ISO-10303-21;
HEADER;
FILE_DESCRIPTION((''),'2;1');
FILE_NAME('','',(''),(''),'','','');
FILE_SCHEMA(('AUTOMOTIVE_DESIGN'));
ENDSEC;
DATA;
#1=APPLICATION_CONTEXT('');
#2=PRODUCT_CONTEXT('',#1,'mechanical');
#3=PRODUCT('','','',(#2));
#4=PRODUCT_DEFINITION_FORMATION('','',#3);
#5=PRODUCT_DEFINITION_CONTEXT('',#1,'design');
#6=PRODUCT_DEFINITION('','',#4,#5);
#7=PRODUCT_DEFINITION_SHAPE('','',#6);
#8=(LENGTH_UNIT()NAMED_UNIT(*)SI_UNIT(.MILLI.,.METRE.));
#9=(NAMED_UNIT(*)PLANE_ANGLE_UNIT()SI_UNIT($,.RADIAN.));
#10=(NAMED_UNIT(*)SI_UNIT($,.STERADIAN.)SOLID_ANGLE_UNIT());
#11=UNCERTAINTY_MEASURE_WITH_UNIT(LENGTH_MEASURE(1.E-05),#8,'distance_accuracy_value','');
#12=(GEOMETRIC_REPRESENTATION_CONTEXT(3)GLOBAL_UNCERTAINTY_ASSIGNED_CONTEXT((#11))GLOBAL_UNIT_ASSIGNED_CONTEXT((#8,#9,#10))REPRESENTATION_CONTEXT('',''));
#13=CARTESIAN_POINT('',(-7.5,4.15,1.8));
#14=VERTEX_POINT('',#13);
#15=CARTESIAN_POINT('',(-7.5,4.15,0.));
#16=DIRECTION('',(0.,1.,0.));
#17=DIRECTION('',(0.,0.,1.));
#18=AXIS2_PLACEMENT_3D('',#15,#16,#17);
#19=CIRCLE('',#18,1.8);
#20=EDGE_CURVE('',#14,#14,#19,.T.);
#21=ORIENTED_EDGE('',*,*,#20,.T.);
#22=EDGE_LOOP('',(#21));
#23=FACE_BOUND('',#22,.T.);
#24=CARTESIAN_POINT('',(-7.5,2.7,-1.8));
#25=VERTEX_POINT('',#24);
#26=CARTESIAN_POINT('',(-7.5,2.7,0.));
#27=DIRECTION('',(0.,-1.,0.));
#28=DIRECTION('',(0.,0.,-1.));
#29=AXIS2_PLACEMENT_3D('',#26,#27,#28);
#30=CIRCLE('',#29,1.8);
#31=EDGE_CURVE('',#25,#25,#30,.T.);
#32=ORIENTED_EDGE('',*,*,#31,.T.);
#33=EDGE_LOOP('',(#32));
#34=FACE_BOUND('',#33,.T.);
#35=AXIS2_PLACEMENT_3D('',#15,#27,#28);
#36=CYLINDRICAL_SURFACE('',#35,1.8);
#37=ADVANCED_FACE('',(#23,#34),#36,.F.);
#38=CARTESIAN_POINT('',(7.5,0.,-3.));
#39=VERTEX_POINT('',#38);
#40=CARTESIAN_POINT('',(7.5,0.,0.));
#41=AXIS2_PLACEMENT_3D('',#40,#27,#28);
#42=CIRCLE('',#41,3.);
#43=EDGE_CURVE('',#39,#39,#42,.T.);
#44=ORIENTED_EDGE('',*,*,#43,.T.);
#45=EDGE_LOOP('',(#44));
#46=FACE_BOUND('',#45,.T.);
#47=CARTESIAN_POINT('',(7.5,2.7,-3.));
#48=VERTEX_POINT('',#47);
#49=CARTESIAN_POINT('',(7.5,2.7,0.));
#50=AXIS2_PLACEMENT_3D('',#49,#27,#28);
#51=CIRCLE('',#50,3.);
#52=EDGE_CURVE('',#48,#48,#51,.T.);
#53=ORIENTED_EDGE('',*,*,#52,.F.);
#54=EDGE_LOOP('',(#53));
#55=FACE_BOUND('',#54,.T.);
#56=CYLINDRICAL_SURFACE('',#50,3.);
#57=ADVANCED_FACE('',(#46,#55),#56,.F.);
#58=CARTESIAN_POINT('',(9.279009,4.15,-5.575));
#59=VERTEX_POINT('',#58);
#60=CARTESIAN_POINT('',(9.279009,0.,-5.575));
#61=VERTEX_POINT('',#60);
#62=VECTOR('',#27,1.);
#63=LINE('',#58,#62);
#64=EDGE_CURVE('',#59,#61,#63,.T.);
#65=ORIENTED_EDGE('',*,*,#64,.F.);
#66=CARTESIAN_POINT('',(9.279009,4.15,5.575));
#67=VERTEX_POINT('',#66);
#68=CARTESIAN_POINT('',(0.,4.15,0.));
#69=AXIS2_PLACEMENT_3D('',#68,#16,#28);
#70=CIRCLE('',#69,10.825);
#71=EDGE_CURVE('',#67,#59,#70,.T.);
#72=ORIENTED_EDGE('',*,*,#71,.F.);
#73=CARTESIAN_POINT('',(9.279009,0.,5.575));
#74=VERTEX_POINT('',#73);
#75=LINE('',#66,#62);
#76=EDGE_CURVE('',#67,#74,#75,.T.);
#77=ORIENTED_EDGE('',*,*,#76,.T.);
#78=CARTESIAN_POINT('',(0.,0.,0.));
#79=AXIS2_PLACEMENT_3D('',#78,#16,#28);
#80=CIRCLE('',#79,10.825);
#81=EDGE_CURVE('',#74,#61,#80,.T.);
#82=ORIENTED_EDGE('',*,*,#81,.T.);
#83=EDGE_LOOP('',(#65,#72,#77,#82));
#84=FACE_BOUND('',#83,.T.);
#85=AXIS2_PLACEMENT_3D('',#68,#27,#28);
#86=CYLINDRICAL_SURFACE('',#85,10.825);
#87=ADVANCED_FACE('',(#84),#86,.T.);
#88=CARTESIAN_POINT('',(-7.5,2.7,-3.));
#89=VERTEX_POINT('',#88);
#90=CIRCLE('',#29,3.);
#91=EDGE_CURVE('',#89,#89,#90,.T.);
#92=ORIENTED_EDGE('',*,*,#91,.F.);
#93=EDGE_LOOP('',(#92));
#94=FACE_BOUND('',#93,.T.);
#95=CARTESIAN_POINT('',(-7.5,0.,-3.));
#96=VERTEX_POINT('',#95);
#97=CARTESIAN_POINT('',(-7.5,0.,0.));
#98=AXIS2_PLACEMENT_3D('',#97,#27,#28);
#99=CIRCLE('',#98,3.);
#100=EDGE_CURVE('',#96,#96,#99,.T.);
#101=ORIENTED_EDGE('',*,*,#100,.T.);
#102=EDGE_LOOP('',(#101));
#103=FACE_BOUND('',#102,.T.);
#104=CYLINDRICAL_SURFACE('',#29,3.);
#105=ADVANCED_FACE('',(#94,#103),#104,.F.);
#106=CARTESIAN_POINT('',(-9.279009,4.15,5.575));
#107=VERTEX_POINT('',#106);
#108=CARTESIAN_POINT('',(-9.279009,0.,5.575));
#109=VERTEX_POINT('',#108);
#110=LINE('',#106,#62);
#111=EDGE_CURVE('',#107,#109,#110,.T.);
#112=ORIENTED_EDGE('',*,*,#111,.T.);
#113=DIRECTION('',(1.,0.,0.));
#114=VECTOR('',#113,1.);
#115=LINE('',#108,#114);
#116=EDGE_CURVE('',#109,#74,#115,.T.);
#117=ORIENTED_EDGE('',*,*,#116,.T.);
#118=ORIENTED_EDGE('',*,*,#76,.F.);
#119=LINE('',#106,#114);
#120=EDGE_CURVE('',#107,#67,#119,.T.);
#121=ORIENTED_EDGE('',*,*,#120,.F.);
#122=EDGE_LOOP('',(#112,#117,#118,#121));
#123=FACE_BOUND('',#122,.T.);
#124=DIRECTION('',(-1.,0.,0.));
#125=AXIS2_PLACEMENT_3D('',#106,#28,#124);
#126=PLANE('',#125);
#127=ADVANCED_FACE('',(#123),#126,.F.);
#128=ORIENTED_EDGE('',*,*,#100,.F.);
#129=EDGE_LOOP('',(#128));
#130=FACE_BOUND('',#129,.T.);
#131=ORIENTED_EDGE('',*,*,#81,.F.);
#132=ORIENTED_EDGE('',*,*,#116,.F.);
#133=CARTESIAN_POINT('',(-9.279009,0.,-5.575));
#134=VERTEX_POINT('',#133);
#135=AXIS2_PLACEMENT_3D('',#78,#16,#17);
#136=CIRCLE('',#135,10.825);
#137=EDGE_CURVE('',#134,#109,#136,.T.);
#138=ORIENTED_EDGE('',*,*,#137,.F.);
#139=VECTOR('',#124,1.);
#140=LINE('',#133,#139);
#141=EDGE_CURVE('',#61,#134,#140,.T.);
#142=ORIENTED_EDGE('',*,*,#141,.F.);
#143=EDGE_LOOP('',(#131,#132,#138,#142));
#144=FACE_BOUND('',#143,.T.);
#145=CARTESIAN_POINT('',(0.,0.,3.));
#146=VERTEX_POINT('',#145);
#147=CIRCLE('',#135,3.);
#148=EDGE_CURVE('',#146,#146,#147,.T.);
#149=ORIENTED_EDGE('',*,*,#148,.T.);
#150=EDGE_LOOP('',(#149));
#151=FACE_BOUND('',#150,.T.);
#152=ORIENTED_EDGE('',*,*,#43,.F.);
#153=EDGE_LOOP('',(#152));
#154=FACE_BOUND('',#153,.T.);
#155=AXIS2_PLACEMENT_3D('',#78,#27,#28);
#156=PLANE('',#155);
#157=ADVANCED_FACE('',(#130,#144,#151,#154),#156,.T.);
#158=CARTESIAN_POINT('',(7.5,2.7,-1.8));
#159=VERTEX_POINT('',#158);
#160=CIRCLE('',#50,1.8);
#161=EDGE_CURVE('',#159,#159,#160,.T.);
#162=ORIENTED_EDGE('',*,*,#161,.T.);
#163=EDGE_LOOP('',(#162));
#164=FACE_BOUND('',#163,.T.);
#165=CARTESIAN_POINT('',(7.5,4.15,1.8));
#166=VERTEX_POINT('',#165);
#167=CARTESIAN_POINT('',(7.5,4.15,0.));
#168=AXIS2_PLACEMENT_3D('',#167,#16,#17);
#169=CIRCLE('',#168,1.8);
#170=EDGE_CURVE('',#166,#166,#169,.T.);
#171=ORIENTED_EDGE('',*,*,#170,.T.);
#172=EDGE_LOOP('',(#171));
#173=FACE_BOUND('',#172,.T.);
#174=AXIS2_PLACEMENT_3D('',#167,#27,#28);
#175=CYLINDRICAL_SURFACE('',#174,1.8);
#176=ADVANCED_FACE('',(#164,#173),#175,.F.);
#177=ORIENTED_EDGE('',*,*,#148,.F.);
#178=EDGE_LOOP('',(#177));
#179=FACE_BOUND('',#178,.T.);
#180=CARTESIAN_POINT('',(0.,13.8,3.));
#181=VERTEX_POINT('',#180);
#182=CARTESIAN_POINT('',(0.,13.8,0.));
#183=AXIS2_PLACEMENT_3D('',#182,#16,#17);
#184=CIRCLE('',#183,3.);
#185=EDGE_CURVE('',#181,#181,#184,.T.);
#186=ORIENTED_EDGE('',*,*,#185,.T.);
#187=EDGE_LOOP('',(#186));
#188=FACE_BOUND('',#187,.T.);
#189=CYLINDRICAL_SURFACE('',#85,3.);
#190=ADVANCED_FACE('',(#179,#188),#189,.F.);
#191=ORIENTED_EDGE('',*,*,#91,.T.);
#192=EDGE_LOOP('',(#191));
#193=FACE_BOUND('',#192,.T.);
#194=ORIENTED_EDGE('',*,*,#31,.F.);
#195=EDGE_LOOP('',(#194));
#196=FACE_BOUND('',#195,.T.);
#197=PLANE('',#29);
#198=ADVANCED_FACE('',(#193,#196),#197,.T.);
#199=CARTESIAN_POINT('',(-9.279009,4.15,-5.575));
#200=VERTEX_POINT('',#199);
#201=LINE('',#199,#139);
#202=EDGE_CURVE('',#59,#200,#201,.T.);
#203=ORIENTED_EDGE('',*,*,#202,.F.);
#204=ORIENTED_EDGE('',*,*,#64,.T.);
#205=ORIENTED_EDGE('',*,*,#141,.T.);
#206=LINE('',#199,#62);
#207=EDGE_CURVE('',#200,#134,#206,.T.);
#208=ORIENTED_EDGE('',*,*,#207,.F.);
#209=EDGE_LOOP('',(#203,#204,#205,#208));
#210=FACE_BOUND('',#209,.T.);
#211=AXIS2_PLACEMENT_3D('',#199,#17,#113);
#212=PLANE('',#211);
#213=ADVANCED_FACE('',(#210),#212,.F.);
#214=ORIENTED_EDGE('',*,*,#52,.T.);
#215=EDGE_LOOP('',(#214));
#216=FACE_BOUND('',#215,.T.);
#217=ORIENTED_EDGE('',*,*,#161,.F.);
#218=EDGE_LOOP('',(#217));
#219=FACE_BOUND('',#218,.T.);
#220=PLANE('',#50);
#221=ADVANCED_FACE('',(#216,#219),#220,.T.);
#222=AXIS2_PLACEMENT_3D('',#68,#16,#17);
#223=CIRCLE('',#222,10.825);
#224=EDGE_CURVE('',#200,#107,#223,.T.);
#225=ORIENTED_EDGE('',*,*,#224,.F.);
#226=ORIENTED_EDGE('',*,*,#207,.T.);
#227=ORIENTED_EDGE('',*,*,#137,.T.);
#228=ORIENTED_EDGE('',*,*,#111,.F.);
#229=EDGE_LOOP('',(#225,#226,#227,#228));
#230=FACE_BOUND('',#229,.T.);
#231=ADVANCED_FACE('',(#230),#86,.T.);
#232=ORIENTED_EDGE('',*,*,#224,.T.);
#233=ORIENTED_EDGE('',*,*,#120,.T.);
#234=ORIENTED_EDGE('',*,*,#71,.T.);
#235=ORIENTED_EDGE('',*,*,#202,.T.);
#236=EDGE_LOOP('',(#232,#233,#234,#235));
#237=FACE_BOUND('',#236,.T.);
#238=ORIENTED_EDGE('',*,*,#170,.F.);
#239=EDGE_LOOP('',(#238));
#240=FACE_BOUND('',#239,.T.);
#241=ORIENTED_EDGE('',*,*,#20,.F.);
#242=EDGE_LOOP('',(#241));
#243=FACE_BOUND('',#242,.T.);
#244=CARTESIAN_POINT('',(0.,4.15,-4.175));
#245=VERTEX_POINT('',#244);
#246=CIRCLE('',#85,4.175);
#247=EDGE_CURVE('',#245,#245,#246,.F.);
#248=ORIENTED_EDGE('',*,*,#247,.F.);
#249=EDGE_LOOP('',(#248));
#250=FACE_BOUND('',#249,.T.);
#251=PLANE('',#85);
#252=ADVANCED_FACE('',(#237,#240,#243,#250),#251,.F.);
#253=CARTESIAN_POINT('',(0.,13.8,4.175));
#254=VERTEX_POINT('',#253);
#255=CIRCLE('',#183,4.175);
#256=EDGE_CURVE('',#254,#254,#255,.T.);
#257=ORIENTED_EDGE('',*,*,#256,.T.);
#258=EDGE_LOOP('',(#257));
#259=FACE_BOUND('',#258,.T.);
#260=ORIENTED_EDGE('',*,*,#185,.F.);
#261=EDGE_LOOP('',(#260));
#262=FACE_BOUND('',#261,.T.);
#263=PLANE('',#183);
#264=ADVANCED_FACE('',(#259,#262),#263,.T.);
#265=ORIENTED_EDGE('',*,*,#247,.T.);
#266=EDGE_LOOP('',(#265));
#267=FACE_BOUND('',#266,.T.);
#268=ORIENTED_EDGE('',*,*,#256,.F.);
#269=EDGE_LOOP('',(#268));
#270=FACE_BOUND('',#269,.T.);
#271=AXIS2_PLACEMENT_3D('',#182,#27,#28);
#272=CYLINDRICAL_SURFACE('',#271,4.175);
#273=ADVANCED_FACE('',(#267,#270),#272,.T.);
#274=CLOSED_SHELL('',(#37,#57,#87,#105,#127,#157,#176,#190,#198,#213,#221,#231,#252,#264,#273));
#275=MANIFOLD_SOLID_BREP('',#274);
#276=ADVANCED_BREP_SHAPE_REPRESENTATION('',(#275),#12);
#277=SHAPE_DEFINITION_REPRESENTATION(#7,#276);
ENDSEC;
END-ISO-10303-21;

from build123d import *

# Parameters (mm, degrees)
SKETCH1_R           = 1.8
SKETCH1_R_2         = 3
BOSS_EXTRUDE1_DEPTH = 4.15
SKETCH2_R           = 4.175
SKETCH2_R_2         = 3
BOSS_EXTRUDE2_DEPTH = 9.65
SKETCH3_R           = 3
CUT_EXTRUDE1_DEPTH  = 2.7


with BuildPart() as part:
    # Sketch1 → Boss-Extrude1 (new body)
    with BuildSketch(Plane(origin=(0, 0, 0), x_dir=(1, 0, 0), z_dir=(0, 1, 0))):
        with BuildLine():
            Line((-9.279008568, -5.575), (9.279008568, -5.575))
            ThreePointArc((9.279008568, -5.575), (10.825, 0), (9.279008568, 5.575))
            Line((9.279008568, 5.575), (-9.279008568, 5.575))
            ThreePointArc((-9.279008568, 5.575), (-10.825, 0), (-9.279008568, -5.575))
        make_face()
        with Locations((-7.5, 0)):
            Circle(SKETCH1_R, mode=Mode.SUBTRACT)
        with Locations((7.5, 0)):
            Circle(SKETCH1_R, mode=Mode.SUBTRACT)
        Circle(SKETCH1_R_2, mode=Mode.SUBTRACT)
    extrude(amount=BOSS_EXTRUDE1_DEPTH)

    # Sketch2 → Boss-Extrude2 (add)
    with BuildSketch(Plane(origin=(0, 4.15, 0), x_dir=(1, 0, 0), z_dir=(0, 1, 0))):
        Circle(SKETCH2_R)
        Circle(SKETCH2_R_2, mode=Mode.SUBTRACT)
    extrude(amount=BOSS_EXTRUDE2_DEPTH)

    # Sketch3 → Cut-Extrude1 (cut)
    with BuildSketch(Plane.XZ):
        with Locations((7.5, 0)):
            Circle(SKETCH3_R)
        with Locations((-7.5, 0)):
            Circle(SKETCH3_R)
    extrude(amount=-CUT_EXTRUDE1_DEPTH, mode=Mode.SUBTRACT)


solid = part.part
